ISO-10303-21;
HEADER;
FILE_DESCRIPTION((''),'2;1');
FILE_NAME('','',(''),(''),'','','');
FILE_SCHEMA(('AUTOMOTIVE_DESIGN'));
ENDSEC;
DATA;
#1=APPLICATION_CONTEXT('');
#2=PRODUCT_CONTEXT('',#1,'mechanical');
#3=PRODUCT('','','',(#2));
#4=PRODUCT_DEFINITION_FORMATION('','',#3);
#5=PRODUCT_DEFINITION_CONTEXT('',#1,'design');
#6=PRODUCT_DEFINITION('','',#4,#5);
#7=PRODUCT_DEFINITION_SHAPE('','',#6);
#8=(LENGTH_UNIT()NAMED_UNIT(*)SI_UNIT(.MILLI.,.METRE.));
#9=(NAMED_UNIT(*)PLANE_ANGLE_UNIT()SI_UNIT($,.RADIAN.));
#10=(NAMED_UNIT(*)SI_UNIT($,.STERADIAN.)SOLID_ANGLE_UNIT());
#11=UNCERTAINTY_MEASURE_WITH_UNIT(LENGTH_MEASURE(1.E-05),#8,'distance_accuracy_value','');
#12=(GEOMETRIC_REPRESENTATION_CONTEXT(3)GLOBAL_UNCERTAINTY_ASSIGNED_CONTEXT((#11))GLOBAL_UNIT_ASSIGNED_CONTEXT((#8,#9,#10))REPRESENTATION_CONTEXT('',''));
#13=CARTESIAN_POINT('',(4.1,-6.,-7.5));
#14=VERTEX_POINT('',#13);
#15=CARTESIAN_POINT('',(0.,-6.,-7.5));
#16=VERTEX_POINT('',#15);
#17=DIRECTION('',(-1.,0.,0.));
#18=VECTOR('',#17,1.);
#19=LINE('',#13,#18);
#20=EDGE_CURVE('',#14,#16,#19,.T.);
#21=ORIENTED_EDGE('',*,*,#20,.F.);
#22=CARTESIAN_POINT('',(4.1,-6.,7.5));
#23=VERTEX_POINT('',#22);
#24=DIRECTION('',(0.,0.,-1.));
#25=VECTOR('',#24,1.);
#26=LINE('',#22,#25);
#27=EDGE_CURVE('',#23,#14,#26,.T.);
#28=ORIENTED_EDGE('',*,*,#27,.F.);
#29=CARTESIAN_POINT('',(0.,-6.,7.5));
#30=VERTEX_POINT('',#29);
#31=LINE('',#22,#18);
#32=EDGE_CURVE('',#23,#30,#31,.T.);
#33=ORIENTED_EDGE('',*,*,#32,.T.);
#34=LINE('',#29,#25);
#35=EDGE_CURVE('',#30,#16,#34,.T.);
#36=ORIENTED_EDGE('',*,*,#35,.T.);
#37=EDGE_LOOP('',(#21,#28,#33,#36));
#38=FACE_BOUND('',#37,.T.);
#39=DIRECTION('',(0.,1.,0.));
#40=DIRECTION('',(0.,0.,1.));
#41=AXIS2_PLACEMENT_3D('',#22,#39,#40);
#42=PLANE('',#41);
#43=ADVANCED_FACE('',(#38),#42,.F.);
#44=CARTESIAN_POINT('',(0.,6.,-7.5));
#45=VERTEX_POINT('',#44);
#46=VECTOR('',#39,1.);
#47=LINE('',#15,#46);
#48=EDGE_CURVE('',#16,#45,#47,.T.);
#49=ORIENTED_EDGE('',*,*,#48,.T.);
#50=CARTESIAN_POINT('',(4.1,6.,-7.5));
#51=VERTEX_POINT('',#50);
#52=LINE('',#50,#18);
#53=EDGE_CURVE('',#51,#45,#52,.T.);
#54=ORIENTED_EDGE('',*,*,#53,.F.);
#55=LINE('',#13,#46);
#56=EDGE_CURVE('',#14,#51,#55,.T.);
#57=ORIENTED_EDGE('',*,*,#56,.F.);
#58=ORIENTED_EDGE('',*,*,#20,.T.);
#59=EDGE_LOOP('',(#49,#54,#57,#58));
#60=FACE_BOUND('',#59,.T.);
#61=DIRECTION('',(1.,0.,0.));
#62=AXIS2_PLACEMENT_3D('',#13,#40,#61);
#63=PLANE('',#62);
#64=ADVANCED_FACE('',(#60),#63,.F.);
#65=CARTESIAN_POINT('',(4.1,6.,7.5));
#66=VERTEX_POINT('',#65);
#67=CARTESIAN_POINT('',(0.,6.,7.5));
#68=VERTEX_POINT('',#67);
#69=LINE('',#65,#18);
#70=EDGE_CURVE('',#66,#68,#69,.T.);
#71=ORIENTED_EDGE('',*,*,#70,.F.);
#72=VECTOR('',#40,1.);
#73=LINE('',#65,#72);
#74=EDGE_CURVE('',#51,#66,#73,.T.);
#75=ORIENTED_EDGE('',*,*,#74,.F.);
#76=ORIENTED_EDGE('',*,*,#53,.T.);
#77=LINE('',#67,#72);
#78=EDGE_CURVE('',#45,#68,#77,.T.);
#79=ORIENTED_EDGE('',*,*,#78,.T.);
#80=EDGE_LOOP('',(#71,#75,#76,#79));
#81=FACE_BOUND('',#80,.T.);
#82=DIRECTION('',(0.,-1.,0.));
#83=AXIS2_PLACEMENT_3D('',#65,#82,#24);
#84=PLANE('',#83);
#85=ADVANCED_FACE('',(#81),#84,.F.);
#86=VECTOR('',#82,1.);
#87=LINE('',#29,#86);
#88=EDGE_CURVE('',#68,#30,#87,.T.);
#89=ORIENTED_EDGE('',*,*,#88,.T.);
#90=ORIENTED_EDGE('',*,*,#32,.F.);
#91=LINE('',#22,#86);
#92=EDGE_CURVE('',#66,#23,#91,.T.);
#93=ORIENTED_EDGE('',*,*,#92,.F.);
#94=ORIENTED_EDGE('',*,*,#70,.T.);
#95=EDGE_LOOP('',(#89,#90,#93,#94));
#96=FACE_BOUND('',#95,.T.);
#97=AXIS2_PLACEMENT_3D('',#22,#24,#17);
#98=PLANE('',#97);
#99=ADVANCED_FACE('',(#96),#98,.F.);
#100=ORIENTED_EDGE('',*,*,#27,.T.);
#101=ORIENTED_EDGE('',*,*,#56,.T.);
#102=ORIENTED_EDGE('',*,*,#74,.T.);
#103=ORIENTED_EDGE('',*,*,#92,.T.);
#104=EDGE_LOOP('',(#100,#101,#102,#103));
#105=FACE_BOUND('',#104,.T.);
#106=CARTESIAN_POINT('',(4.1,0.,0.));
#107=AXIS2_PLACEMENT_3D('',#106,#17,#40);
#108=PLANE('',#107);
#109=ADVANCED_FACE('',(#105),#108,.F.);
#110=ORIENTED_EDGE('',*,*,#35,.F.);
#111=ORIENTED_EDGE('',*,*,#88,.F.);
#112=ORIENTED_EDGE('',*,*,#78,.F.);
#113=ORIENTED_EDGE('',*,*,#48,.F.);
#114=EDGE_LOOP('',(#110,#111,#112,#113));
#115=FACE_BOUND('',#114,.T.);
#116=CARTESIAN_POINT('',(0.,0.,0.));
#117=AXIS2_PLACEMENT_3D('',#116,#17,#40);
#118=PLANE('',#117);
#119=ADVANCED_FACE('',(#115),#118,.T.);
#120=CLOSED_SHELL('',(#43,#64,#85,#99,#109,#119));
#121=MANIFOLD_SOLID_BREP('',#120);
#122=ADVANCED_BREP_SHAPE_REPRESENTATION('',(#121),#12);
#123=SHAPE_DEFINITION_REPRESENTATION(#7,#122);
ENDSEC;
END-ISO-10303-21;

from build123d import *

# Parameters (mm, degrees)
SKETCH1_W           = 15
SKETCH1_H           = 12
BOSS_EXTRUDE1_DEPTH = 4.1


with BuildPart() as part:
    # Sketch1 → Boss-Extrude1 (new body)
    with BuildSketch(Plane(origin=(0, 0, 0), x_dir=(0, 0, -1), z_dir=(1, 0, 0))):
        Rectangle(SKETCH1_W, SKETCH1_H)
    extrude(amount=BOSS_EXTRUDE1_DEPTH)


solid = part.part
